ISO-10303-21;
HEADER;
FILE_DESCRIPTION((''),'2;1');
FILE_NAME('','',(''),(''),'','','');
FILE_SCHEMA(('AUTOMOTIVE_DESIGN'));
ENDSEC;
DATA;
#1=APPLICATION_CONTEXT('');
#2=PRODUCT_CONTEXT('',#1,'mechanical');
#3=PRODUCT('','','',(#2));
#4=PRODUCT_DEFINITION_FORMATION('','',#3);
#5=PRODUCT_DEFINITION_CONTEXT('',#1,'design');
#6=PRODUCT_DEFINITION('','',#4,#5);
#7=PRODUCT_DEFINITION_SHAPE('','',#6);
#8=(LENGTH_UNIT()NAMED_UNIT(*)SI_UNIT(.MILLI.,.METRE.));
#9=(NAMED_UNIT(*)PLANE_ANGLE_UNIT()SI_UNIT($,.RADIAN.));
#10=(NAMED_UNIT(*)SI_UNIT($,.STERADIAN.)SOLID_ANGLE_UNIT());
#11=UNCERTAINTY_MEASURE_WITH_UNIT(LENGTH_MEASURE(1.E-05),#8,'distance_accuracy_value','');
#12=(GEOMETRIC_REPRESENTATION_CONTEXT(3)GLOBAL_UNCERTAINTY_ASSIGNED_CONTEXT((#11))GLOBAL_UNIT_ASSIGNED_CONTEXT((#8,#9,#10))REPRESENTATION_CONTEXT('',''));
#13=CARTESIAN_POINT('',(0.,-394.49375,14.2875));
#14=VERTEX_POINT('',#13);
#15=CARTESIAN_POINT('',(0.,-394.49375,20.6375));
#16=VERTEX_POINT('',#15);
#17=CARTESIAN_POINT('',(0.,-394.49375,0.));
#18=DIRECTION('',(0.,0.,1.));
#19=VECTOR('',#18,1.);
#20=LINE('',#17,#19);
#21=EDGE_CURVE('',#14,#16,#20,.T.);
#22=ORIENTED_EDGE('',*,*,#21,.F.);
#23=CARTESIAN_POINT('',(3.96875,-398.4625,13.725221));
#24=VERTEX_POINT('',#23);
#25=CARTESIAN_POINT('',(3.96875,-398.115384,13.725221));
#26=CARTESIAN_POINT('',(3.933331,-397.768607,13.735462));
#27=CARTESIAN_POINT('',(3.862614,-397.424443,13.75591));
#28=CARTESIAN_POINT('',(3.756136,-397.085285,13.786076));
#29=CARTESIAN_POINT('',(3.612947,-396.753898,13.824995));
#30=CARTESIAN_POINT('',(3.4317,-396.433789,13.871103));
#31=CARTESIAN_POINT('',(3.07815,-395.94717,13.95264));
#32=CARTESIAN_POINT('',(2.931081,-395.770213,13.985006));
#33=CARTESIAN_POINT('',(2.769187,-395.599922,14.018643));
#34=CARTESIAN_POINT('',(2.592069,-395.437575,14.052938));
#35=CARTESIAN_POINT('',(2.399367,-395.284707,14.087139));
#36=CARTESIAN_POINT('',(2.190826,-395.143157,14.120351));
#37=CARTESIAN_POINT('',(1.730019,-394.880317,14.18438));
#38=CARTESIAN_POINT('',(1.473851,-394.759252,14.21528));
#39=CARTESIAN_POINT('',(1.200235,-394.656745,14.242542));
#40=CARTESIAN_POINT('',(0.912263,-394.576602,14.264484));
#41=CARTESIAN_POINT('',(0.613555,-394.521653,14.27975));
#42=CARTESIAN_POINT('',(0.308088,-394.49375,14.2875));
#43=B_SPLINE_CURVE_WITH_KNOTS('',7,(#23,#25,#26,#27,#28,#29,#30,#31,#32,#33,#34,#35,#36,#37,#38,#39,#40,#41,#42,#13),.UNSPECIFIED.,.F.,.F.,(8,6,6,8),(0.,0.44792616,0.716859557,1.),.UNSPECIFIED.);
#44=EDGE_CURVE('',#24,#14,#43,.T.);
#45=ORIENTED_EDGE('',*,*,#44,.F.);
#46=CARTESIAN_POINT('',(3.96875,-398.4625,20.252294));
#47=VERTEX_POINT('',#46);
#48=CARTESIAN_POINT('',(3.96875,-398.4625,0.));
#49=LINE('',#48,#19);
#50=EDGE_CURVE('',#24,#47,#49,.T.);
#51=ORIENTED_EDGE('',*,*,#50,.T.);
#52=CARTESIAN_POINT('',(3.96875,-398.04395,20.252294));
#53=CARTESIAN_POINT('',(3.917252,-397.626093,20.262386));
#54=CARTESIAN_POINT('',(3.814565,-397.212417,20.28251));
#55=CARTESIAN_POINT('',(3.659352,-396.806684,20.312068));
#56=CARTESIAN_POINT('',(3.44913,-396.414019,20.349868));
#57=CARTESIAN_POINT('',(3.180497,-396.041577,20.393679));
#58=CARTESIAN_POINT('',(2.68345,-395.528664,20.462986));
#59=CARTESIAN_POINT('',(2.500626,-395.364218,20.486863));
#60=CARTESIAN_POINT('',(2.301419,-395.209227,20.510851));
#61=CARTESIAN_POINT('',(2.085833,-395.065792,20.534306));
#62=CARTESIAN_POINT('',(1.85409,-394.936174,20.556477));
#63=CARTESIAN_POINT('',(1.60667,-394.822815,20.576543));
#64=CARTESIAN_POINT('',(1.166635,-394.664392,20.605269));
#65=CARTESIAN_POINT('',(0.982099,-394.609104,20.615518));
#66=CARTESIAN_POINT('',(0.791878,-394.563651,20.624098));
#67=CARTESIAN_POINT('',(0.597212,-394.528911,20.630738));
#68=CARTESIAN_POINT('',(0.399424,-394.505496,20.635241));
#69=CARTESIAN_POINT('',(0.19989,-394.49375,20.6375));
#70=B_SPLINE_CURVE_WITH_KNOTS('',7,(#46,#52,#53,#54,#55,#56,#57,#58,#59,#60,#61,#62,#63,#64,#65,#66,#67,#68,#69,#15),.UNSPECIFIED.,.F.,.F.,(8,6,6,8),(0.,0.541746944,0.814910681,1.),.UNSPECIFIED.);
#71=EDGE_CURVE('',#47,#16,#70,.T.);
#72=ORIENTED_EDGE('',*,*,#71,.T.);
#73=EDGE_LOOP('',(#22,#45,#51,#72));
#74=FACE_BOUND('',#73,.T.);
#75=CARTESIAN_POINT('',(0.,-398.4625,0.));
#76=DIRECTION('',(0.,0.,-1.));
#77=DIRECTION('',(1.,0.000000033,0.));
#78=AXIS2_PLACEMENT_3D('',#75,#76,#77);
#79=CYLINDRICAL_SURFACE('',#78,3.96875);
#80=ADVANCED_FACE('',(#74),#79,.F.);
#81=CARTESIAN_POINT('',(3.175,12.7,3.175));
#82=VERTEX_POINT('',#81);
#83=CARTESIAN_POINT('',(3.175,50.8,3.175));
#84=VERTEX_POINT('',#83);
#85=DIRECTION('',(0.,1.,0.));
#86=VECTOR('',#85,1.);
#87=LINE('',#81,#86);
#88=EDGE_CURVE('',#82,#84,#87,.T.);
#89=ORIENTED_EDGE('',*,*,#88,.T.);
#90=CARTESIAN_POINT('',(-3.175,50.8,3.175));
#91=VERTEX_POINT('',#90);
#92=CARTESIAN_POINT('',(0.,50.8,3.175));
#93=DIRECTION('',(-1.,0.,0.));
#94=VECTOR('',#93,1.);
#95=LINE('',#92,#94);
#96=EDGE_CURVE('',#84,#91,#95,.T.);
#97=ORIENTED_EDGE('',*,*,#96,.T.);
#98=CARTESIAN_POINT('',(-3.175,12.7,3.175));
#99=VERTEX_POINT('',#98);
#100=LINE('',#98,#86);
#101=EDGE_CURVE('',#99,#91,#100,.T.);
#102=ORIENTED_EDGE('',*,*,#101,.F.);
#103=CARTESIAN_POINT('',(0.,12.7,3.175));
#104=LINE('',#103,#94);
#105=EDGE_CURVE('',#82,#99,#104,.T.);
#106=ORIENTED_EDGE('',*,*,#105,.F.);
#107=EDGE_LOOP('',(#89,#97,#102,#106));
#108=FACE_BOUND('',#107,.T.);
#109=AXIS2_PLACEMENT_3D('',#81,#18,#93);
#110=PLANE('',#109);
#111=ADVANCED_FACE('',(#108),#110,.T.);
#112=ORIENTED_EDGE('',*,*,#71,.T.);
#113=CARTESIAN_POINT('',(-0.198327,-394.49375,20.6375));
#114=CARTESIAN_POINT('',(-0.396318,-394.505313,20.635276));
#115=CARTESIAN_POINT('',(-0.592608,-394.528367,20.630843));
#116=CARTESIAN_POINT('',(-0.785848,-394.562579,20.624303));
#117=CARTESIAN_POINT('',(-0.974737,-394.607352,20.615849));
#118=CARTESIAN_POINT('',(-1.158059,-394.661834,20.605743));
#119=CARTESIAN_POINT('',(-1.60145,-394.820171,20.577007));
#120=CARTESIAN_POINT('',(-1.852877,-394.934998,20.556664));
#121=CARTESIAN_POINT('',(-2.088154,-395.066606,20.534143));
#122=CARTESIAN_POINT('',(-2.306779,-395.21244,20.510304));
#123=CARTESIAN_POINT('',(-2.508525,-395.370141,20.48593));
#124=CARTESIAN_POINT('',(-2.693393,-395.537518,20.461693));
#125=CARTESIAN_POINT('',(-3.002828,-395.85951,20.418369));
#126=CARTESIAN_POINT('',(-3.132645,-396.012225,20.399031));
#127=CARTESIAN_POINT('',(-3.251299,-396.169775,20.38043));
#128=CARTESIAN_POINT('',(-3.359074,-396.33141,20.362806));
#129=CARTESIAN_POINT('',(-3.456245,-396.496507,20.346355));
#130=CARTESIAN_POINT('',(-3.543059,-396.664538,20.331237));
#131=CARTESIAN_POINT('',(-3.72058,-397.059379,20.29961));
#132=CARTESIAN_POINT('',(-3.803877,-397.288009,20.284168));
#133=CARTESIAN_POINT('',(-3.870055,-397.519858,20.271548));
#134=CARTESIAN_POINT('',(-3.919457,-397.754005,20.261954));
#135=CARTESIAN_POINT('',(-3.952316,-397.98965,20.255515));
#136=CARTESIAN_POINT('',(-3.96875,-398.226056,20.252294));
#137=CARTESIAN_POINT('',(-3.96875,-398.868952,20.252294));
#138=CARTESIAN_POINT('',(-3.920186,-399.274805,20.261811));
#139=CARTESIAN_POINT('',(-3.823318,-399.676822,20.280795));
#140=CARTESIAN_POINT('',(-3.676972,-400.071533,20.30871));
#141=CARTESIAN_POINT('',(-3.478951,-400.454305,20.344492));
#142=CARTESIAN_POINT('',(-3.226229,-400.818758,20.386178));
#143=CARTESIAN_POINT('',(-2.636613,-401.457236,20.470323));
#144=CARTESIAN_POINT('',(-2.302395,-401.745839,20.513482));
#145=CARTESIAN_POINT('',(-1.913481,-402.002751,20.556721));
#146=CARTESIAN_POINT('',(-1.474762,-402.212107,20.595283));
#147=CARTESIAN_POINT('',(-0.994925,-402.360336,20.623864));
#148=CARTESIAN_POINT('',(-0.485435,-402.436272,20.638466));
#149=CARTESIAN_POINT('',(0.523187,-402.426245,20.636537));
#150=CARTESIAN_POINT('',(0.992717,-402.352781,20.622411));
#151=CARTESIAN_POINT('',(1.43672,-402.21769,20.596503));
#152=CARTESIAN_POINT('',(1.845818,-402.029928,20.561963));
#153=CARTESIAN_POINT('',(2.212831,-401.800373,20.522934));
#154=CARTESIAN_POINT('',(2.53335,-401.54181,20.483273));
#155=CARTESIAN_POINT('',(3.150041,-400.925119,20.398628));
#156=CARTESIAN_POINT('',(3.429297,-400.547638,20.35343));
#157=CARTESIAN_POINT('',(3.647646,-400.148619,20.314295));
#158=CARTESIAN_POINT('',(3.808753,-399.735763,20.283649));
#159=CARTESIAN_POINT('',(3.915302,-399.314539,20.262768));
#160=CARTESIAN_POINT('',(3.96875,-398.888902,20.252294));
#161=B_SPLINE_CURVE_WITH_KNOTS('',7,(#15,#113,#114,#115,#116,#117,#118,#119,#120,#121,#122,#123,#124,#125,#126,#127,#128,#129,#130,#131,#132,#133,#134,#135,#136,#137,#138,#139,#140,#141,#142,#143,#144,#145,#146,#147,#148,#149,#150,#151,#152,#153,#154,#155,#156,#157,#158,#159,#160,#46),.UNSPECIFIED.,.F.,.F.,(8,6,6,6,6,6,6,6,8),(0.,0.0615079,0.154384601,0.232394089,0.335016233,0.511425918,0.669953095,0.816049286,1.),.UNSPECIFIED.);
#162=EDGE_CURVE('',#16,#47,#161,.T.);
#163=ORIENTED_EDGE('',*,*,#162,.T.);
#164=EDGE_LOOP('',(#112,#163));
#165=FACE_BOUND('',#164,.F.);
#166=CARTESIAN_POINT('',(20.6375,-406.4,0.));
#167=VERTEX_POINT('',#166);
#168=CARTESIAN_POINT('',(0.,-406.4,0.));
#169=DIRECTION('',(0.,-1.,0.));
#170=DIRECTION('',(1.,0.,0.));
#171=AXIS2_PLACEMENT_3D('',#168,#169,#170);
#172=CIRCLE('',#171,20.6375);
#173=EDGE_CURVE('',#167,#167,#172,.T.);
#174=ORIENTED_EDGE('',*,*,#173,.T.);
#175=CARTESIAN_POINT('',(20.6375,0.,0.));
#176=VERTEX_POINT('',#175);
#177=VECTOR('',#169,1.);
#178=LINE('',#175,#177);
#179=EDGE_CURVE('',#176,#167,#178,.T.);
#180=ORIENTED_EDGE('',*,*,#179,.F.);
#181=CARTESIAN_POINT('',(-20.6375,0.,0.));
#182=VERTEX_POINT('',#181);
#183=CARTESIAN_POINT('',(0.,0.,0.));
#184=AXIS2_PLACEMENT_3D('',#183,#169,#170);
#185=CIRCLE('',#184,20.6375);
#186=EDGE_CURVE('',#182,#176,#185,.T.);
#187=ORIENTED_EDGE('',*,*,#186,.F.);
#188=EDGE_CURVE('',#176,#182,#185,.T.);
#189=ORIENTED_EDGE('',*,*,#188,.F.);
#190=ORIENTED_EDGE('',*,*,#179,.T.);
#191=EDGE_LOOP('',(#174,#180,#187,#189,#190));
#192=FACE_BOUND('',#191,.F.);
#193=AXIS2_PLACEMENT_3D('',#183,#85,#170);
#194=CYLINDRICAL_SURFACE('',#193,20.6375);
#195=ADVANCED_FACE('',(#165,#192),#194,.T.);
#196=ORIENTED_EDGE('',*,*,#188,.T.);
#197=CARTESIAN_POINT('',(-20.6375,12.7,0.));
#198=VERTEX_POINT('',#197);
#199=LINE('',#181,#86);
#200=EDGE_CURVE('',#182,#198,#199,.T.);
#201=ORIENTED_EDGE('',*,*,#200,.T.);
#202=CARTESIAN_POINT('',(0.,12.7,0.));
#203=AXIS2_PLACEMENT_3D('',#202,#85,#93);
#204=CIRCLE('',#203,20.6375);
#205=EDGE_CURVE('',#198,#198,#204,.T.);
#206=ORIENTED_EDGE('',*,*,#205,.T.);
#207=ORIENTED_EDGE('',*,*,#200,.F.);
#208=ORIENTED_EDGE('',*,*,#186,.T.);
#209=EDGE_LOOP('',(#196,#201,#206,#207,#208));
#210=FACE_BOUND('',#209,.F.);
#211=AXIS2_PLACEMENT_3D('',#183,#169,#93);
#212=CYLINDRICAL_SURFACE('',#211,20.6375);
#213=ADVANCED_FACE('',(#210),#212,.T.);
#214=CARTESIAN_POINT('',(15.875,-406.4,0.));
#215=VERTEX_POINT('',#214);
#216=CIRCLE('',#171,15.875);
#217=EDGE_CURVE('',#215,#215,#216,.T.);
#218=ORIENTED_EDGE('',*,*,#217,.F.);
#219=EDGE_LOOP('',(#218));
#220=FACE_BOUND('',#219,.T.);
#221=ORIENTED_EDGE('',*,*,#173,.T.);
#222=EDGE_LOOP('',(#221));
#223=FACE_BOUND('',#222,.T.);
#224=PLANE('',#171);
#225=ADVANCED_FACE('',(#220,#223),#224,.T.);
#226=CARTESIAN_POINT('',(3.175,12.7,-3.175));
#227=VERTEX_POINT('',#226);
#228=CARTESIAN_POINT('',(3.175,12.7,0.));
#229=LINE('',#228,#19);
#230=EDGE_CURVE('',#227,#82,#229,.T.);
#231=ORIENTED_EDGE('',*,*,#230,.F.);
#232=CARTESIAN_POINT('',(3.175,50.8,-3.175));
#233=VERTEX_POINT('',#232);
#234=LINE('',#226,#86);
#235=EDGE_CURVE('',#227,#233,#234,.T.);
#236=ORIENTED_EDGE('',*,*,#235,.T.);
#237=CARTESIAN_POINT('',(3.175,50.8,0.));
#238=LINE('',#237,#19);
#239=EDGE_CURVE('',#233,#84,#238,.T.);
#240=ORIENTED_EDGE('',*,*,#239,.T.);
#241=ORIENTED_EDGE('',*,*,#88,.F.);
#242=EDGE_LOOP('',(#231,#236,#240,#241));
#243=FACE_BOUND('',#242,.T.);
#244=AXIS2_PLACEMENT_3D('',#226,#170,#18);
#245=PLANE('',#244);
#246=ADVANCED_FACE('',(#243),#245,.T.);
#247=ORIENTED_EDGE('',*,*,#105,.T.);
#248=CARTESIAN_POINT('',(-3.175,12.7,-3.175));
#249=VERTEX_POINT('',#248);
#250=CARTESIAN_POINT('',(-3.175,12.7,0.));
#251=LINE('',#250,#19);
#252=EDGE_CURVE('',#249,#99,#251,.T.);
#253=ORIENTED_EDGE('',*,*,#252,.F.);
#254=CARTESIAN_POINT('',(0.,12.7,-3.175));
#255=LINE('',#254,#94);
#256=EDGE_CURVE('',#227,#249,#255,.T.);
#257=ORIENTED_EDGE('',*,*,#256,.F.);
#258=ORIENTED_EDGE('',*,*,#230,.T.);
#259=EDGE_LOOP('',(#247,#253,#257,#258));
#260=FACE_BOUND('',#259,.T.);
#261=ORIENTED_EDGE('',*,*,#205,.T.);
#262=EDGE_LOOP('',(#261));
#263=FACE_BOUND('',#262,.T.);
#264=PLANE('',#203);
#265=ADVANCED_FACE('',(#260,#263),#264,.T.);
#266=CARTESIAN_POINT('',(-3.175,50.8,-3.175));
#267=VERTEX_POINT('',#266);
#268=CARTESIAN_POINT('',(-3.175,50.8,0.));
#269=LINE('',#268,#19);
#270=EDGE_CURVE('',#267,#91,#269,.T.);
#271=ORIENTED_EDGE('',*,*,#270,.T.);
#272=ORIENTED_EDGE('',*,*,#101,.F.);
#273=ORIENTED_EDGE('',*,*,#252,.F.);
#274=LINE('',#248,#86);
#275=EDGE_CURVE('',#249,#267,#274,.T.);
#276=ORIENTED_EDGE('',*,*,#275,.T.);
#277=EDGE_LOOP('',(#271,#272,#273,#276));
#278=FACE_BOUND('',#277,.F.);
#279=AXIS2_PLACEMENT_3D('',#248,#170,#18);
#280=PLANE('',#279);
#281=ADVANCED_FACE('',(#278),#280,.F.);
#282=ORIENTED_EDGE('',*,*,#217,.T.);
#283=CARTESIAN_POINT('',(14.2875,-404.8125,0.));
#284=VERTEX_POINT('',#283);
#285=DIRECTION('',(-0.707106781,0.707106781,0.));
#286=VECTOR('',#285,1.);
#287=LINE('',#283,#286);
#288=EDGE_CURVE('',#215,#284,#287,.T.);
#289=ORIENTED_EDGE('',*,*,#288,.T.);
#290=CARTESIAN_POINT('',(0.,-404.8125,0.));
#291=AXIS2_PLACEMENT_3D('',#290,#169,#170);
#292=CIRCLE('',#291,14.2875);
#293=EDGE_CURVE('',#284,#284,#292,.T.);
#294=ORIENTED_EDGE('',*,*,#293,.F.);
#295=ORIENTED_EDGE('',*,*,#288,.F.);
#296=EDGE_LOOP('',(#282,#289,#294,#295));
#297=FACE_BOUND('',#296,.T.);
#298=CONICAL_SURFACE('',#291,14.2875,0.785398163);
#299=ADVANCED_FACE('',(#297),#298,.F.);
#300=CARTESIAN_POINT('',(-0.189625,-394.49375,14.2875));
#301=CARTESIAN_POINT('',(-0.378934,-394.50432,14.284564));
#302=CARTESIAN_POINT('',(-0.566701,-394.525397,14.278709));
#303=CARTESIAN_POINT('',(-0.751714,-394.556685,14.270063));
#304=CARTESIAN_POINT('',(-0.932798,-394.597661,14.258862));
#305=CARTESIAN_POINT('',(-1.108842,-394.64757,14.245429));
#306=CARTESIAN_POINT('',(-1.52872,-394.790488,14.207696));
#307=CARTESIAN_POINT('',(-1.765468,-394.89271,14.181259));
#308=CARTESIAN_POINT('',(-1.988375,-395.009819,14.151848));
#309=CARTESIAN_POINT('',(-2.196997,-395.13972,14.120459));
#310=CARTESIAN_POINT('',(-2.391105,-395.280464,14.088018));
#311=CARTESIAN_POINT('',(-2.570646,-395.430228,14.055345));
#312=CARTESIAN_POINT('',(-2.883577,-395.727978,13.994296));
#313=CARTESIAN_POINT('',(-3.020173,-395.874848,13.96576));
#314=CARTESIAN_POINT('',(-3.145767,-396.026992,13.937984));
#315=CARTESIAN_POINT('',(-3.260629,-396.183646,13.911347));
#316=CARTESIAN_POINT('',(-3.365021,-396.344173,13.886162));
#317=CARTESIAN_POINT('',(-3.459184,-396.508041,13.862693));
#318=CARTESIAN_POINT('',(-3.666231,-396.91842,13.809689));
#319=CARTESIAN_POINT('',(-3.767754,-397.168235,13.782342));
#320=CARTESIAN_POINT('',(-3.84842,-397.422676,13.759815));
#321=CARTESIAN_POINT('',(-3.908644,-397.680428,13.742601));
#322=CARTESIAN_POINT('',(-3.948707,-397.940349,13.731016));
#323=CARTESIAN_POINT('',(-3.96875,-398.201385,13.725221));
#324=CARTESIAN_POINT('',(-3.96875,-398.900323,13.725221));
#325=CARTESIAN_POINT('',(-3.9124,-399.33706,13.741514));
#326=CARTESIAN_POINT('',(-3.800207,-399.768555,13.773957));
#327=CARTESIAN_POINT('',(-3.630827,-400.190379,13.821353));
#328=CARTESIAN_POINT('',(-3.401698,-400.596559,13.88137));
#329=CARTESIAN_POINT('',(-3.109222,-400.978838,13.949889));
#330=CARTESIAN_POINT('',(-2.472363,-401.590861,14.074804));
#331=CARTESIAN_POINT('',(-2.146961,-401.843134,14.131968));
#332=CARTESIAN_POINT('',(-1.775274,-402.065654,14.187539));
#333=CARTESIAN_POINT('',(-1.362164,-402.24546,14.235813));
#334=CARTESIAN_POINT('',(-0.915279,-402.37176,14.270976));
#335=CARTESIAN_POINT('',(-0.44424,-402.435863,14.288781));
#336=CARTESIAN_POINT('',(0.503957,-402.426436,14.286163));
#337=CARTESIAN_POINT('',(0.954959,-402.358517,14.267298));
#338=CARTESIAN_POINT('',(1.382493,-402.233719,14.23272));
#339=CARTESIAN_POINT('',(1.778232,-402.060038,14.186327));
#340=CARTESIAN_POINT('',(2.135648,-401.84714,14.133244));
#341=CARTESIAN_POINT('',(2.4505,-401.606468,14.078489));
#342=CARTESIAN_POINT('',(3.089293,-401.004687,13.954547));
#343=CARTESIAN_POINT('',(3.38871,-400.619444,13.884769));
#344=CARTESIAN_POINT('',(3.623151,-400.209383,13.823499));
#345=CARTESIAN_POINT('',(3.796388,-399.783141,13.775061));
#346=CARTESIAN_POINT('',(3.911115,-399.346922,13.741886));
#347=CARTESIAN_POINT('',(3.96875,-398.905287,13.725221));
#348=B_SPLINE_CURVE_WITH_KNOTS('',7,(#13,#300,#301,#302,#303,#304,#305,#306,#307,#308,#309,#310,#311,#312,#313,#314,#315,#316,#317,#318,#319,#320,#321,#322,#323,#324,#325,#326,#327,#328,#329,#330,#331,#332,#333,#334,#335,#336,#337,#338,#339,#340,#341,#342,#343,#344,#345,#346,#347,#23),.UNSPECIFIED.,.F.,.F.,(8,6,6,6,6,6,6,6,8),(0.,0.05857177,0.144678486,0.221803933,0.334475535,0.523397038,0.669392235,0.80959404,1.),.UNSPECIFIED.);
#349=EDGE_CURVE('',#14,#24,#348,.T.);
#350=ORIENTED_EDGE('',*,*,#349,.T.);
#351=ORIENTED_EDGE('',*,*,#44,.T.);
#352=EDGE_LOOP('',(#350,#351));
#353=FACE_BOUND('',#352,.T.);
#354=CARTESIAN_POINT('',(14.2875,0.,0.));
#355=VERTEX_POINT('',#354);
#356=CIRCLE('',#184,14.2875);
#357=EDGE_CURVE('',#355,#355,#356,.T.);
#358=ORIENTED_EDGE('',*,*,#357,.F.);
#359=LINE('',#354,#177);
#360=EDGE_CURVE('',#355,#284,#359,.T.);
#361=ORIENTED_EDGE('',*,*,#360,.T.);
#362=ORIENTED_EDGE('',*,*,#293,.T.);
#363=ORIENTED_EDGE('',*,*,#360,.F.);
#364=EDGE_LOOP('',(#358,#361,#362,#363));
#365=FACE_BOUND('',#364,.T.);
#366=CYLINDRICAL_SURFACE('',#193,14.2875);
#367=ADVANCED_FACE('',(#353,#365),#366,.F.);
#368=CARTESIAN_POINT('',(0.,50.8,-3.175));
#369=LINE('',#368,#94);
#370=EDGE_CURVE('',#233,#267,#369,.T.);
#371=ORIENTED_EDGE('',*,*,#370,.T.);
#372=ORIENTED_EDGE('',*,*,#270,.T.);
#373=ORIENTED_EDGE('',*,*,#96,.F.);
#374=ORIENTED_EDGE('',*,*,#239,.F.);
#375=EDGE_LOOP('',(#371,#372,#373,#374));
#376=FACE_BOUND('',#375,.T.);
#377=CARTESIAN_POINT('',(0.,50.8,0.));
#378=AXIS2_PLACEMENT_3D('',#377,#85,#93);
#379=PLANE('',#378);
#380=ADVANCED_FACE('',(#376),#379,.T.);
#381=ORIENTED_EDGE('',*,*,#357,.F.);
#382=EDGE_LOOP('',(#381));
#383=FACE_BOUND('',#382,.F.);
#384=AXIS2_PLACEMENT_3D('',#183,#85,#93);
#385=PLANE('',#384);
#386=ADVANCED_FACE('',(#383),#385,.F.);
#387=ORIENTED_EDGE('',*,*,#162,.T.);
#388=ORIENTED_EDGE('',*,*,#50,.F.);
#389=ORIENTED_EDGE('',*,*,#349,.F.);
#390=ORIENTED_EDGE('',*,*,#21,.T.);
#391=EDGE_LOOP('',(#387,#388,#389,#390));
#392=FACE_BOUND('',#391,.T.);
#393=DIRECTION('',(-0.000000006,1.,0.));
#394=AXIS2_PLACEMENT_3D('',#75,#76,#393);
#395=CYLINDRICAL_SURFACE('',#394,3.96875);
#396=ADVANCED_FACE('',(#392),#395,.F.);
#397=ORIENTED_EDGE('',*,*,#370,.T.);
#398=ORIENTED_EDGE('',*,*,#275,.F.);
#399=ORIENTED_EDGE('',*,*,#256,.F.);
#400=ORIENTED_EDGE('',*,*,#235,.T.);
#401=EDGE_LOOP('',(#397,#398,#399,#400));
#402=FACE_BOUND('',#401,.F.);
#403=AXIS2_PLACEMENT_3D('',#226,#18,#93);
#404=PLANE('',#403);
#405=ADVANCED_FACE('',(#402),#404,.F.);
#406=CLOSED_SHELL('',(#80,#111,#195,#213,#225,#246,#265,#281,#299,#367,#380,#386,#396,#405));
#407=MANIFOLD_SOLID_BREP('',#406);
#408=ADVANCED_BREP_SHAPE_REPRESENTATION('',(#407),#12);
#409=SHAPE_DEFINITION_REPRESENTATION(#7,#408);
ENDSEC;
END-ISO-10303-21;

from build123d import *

# Parameters (mm, degrees)
F0_R     = 20.6375
F0_R_2   = 14.2875
F1_DEPTH = 406.4
F2_R     = 20.6375
F3_DEPTH = 12.7
F4_W     = 6.35
F4_H     = 6.35
F5_DEPTH = 38.1
F7_DEPTH = 25.4
F8_SIZE  = 1.5875


with BuildPart() as f1:
    # F0 (on Front) → F1 (new body)
    with BuildSketch(Plane.XZ):
        Circle(F0_R)
        Circle(F0_R_2, mode=Mode.SUBTRACT)
    extrude(amount=F1_DEPTH)

    # F2 (on face) → F3 (join)
    with BuildSketch(Plane(origin=(0, 0, 0), x_dir=(-1, 0, 0), z_dir=(0, 1, 0))):
        Circle(F2_R)
    extrude(amount=F3_DEPTH)

    # F4 (on face) → F5 (join)
    with BuildSketch(Plane(origin=(0, 12.7, 0), x_dir=(-1, 0, 0), z_dir=(0, 1, 0))):
        Rectangle(F4_W, F4_H)
    extrude(amount=F5_DEPTH)

    # F6 (on Top) → F7 (cut)
    with BuildSketch(Plane.XY):
        with BuildLine():
            ThreePointArc((0, -394.49375), (-2.80633, -401.26883), (3.96875, -398.4625))
            ThreePointArc((3.96875, -398.4625), (2.80633, -395.65617), (0, -394.49375))
        make_face()
    extrude(amount=F7_DEPTH, mode=Mode.SUBTRACT)

    # F8
    f8_edges = [f1.edges().sort_by_distance(p)[0] for p in [
        (-14.2875, -406.4, 0),
    ]]
    chamfer(f8_edges, length=F8_SIZE)


solid = f1.part
